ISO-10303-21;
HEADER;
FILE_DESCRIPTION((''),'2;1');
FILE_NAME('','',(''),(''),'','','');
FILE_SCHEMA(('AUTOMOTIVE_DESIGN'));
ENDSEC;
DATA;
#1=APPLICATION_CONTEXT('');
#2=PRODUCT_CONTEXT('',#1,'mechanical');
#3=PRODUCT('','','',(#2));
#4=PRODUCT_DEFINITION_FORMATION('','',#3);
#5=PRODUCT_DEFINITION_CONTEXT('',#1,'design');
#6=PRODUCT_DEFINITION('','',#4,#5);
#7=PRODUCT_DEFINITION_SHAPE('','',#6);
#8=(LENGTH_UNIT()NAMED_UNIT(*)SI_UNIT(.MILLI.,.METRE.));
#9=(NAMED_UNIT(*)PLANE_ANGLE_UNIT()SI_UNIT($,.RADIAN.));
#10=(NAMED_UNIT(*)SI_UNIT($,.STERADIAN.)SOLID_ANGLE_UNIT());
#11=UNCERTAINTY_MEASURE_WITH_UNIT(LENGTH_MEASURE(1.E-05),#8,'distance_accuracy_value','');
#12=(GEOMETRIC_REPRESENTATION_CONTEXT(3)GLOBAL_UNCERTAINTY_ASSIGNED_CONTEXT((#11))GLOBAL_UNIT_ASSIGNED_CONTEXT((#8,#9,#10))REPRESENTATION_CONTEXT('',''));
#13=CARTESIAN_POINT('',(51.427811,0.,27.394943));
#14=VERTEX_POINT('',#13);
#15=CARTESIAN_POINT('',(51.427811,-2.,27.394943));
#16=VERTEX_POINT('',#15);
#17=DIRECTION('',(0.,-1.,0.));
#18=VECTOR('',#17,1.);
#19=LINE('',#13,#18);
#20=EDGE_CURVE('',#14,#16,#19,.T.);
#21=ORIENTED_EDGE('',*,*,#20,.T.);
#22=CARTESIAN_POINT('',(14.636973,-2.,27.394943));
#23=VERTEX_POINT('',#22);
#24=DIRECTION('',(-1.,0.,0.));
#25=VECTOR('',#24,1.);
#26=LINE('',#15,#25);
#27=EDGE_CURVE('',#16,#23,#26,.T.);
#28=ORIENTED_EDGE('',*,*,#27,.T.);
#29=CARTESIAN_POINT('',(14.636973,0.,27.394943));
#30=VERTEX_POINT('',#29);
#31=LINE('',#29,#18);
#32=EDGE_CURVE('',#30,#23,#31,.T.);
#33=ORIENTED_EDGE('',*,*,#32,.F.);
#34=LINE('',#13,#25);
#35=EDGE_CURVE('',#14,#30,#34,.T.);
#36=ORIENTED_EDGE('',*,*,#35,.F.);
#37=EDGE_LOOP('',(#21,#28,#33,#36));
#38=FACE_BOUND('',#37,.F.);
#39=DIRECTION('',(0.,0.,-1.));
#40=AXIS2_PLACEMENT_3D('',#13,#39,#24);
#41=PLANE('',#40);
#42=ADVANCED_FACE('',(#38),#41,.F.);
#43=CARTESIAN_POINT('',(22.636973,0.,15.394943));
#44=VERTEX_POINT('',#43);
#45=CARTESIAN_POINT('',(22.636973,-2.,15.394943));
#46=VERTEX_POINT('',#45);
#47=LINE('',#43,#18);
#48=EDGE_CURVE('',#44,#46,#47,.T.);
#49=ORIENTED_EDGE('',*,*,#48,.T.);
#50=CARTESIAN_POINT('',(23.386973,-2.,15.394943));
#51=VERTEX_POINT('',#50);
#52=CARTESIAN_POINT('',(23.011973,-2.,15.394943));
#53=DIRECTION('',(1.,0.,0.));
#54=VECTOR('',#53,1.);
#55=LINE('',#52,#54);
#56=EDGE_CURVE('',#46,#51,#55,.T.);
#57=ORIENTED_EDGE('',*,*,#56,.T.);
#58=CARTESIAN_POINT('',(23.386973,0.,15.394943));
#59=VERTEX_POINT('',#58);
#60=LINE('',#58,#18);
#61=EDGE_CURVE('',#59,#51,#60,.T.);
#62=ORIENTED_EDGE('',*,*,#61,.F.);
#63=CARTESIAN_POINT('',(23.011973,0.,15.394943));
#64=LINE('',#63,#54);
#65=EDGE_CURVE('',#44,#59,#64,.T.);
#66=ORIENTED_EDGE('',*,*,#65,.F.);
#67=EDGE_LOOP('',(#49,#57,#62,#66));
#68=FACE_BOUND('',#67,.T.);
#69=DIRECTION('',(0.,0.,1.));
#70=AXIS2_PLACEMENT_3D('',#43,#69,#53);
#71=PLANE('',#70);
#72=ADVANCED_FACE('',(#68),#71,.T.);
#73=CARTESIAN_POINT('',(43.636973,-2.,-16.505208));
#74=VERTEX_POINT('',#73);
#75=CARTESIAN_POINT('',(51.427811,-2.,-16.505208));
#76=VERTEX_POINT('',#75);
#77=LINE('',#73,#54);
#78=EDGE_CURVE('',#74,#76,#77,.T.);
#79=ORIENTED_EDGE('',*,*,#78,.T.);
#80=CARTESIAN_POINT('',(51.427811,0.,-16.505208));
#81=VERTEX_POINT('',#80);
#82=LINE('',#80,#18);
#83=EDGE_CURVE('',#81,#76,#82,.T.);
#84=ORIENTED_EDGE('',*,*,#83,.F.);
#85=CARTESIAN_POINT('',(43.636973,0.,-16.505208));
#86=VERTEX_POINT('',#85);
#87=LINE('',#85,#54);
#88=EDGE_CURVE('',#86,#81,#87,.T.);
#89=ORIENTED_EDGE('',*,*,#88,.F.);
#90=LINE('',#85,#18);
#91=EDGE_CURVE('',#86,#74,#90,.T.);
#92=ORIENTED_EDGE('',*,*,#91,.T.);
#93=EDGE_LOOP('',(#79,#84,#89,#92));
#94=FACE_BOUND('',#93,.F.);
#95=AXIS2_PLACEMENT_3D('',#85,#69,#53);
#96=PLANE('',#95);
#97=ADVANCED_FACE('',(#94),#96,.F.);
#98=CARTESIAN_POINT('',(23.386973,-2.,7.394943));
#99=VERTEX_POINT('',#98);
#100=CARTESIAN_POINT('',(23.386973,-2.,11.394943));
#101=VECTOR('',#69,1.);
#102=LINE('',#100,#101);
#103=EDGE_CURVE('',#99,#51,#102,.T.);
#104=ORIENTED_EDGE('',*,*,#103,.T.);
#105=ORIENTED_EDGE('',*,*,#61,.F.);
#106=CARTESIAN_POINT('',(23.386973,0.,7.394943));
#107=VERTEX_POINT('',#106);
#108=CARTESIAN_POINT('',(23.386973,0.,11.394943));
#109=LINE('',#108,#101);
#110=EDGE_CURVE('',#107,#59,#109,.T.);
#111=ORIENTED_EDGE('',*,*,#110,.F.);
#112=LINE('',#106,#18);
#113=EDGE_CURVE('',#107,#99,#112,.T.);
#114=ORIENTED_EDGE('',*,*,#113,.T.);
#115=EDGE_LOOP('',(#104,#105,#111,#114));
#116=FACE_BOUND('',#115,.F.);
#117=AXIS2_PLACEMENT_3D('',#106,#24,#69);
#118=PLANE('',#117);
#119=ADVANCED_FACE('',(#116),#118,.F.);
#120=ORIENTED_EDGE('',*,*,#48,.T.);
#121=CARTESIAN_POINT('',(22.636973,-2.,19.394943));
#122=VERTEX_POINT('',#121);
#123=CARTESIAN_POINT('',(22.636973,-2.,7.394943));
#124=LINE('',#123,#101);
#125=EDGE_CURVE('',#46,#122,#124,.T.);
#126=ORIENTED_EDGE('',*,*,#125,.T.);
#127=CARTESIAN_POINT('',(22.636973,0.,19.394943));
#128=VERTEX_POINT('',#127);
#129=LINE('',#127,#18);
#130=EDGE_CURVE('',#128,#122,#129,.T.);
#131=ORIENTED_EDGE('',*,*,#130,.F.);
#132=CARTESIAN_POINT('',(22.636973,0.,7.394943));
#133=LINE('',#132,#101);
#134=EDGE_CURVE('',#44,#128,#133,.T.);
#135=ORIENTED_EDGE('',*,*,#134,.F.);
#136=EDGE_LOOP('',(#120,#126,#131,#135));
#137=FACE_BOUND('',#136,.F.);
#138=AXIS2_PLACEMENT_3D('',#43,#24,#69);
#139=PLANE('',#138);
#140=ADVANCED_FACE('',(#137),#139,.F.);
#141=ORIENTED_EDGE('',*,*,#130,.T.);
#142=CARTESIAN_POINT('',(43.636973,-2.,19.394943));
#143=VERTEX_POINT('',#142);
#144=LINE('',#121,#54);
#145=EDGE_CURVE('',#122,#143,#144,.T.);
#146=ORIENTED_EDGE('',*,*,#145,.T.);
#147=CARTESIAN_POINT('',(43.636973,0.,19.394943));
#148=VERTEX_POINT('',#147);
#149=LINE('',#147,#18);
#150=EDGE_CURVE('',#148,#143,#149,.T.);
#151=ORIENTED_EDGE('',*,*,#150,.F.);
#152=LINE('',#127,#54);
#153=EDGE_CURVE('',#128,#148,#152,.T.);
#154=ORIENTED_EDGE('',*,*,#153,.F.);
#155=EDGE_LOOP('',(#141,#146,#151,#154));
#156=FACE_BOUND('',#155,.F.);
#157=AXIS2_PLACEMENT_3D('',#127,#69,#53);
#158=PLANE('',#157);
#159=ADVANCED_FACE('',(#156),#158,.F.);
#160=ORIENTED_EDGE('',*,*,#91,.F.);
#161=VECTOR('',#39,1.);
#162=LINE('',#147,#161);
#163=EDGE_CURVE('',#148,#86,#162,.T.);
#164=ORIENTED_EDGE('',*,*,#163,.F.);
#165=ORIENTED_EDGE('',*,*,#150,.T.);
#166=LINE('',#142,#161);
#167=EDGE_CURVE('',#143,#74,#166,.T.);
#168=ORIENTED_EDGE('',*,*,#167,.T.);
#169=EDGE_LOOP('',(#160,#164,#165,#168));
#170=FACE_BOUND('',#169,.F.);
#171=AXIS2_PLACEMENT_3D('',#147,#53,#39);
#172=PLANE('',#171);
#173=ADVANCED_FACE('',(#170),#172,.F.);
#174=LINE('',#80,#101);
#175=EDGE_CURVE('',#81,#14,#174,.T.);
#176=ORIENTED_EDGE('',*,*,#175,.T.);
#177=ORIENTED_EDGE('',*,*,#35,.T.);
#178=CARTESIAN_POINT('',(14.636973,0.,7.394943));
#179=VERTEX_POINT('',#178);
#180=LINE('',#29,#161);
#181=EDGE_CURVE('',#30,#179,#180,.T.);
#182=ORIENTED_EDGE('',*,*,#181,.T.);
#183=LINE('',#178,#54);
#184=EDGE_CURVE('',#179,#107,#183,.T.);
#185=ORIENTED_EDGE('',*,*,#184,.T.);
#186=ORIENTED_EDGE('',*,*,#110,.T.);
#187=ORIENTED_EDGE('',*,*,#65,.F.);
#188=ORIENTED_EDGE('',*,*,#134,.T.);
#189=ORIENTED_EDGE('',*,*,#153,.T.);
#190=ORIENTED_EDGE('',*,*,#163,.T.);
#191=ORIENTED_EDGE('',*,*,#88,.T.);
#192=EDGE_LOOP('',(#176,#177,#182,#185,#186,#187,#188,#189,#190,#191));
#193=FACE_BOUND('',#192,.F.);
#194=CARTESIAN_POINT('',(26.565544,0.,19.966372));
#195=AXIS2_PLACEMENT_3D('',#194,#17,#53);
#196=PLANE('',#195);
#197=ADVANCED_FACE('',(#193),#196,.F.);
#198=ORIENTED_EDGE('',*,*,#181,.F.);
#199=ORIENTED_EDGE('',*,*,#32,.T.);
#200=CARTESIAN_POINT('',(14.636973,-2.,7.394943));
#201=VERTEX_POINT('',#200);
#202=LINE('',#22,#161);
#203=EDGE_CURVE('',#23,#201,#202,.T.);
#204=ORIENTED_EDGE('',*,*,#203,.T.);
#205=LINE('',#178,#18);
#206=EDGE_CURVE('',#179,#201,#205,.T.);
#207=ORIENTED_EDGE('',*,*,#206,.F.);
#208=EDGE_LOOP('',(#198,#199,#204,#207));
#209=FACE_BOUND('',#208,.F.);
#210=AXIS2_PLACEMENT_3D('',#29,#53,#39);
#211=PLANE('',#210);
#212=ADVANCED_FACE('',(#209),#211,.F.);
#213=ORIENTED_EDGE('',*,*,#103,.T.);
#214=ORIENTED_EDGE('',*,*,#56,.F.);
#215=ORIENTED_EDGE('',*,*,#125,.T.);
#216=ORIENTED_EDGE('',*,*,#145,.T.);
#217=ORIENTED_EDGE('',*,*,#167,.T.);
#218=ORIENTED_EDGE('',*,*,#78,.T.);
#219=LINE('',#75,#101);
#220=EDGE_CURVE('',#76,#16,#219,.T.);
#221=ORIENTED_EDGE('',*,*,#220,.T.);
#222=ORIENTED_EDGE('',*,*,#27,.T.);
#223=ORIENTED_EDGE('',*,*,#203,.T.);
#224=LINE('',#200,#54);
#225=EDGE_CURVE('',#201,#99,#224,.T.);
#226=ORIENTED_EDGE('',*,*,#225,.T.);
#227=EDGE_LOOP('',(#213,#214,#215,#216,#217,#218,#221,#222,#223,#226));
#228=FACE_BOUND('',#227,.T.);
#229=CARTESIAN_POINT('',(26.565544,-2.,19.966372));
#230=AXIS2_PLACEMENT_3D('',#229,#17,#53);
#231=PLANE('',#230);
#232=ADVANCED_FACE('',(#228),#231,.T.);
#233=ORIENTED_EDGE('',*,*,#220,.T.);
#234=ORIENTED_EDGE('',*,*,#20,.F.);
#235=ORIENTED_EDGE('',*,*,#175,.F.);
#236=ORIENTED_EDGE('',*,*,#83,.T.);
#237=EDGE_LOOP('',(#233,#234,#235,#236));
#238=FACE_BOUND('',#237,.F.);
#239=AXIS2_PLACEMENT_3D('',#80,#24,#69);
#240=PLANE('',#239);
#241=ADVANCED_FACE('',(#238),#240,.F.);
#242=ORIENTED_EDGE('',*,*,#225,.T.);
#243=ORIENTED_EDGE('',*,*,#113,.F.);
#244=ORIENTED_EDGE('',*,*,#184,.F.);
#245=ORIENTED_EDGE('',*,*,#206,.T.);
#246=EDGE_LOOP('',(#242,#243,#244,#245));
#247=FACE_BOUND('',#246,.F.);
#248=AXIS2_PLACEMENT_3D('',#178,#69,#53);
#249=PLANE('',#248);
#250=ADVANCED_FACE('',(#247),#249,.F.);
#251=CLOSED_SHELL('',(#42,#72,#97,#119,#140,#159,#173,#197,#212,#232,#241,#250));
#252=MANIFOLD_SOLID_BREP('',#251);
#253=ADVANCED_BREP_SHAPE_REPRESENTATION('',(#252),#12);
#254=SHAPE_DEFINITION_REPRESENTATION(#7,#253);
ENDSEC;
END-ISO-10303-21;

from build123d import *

# Parameters (mm, degrees)
F0_W     = 0.75
F0_H     = 8
F1_DEPTH = 2


with BuildPart() as f1:
    # F0 (on Front) → F1 (new body)
    with BuildSketch(Plane.XZ):
        Polygon((22.636973, 19.394943), (43.636973, 19.394943), (43.636973, 27.394943), (14.636973, 27.394943), (14.636973, 7.394943), (22.636973, 7.394943), (22.636973, 15.394943), align=None)
        with Locations((23.011973, 11.394943)):
            Rectangle(F0_W, F0_H)
        Polygon((43.636973, 27.394943), (43.636973, 19.394943), (43.636973, -16.505208), (51.427811, -16.505208), (51.427811, 27.394943), align=None)
    extrude(amount=F1_DEPTH)


solid = f1.part
